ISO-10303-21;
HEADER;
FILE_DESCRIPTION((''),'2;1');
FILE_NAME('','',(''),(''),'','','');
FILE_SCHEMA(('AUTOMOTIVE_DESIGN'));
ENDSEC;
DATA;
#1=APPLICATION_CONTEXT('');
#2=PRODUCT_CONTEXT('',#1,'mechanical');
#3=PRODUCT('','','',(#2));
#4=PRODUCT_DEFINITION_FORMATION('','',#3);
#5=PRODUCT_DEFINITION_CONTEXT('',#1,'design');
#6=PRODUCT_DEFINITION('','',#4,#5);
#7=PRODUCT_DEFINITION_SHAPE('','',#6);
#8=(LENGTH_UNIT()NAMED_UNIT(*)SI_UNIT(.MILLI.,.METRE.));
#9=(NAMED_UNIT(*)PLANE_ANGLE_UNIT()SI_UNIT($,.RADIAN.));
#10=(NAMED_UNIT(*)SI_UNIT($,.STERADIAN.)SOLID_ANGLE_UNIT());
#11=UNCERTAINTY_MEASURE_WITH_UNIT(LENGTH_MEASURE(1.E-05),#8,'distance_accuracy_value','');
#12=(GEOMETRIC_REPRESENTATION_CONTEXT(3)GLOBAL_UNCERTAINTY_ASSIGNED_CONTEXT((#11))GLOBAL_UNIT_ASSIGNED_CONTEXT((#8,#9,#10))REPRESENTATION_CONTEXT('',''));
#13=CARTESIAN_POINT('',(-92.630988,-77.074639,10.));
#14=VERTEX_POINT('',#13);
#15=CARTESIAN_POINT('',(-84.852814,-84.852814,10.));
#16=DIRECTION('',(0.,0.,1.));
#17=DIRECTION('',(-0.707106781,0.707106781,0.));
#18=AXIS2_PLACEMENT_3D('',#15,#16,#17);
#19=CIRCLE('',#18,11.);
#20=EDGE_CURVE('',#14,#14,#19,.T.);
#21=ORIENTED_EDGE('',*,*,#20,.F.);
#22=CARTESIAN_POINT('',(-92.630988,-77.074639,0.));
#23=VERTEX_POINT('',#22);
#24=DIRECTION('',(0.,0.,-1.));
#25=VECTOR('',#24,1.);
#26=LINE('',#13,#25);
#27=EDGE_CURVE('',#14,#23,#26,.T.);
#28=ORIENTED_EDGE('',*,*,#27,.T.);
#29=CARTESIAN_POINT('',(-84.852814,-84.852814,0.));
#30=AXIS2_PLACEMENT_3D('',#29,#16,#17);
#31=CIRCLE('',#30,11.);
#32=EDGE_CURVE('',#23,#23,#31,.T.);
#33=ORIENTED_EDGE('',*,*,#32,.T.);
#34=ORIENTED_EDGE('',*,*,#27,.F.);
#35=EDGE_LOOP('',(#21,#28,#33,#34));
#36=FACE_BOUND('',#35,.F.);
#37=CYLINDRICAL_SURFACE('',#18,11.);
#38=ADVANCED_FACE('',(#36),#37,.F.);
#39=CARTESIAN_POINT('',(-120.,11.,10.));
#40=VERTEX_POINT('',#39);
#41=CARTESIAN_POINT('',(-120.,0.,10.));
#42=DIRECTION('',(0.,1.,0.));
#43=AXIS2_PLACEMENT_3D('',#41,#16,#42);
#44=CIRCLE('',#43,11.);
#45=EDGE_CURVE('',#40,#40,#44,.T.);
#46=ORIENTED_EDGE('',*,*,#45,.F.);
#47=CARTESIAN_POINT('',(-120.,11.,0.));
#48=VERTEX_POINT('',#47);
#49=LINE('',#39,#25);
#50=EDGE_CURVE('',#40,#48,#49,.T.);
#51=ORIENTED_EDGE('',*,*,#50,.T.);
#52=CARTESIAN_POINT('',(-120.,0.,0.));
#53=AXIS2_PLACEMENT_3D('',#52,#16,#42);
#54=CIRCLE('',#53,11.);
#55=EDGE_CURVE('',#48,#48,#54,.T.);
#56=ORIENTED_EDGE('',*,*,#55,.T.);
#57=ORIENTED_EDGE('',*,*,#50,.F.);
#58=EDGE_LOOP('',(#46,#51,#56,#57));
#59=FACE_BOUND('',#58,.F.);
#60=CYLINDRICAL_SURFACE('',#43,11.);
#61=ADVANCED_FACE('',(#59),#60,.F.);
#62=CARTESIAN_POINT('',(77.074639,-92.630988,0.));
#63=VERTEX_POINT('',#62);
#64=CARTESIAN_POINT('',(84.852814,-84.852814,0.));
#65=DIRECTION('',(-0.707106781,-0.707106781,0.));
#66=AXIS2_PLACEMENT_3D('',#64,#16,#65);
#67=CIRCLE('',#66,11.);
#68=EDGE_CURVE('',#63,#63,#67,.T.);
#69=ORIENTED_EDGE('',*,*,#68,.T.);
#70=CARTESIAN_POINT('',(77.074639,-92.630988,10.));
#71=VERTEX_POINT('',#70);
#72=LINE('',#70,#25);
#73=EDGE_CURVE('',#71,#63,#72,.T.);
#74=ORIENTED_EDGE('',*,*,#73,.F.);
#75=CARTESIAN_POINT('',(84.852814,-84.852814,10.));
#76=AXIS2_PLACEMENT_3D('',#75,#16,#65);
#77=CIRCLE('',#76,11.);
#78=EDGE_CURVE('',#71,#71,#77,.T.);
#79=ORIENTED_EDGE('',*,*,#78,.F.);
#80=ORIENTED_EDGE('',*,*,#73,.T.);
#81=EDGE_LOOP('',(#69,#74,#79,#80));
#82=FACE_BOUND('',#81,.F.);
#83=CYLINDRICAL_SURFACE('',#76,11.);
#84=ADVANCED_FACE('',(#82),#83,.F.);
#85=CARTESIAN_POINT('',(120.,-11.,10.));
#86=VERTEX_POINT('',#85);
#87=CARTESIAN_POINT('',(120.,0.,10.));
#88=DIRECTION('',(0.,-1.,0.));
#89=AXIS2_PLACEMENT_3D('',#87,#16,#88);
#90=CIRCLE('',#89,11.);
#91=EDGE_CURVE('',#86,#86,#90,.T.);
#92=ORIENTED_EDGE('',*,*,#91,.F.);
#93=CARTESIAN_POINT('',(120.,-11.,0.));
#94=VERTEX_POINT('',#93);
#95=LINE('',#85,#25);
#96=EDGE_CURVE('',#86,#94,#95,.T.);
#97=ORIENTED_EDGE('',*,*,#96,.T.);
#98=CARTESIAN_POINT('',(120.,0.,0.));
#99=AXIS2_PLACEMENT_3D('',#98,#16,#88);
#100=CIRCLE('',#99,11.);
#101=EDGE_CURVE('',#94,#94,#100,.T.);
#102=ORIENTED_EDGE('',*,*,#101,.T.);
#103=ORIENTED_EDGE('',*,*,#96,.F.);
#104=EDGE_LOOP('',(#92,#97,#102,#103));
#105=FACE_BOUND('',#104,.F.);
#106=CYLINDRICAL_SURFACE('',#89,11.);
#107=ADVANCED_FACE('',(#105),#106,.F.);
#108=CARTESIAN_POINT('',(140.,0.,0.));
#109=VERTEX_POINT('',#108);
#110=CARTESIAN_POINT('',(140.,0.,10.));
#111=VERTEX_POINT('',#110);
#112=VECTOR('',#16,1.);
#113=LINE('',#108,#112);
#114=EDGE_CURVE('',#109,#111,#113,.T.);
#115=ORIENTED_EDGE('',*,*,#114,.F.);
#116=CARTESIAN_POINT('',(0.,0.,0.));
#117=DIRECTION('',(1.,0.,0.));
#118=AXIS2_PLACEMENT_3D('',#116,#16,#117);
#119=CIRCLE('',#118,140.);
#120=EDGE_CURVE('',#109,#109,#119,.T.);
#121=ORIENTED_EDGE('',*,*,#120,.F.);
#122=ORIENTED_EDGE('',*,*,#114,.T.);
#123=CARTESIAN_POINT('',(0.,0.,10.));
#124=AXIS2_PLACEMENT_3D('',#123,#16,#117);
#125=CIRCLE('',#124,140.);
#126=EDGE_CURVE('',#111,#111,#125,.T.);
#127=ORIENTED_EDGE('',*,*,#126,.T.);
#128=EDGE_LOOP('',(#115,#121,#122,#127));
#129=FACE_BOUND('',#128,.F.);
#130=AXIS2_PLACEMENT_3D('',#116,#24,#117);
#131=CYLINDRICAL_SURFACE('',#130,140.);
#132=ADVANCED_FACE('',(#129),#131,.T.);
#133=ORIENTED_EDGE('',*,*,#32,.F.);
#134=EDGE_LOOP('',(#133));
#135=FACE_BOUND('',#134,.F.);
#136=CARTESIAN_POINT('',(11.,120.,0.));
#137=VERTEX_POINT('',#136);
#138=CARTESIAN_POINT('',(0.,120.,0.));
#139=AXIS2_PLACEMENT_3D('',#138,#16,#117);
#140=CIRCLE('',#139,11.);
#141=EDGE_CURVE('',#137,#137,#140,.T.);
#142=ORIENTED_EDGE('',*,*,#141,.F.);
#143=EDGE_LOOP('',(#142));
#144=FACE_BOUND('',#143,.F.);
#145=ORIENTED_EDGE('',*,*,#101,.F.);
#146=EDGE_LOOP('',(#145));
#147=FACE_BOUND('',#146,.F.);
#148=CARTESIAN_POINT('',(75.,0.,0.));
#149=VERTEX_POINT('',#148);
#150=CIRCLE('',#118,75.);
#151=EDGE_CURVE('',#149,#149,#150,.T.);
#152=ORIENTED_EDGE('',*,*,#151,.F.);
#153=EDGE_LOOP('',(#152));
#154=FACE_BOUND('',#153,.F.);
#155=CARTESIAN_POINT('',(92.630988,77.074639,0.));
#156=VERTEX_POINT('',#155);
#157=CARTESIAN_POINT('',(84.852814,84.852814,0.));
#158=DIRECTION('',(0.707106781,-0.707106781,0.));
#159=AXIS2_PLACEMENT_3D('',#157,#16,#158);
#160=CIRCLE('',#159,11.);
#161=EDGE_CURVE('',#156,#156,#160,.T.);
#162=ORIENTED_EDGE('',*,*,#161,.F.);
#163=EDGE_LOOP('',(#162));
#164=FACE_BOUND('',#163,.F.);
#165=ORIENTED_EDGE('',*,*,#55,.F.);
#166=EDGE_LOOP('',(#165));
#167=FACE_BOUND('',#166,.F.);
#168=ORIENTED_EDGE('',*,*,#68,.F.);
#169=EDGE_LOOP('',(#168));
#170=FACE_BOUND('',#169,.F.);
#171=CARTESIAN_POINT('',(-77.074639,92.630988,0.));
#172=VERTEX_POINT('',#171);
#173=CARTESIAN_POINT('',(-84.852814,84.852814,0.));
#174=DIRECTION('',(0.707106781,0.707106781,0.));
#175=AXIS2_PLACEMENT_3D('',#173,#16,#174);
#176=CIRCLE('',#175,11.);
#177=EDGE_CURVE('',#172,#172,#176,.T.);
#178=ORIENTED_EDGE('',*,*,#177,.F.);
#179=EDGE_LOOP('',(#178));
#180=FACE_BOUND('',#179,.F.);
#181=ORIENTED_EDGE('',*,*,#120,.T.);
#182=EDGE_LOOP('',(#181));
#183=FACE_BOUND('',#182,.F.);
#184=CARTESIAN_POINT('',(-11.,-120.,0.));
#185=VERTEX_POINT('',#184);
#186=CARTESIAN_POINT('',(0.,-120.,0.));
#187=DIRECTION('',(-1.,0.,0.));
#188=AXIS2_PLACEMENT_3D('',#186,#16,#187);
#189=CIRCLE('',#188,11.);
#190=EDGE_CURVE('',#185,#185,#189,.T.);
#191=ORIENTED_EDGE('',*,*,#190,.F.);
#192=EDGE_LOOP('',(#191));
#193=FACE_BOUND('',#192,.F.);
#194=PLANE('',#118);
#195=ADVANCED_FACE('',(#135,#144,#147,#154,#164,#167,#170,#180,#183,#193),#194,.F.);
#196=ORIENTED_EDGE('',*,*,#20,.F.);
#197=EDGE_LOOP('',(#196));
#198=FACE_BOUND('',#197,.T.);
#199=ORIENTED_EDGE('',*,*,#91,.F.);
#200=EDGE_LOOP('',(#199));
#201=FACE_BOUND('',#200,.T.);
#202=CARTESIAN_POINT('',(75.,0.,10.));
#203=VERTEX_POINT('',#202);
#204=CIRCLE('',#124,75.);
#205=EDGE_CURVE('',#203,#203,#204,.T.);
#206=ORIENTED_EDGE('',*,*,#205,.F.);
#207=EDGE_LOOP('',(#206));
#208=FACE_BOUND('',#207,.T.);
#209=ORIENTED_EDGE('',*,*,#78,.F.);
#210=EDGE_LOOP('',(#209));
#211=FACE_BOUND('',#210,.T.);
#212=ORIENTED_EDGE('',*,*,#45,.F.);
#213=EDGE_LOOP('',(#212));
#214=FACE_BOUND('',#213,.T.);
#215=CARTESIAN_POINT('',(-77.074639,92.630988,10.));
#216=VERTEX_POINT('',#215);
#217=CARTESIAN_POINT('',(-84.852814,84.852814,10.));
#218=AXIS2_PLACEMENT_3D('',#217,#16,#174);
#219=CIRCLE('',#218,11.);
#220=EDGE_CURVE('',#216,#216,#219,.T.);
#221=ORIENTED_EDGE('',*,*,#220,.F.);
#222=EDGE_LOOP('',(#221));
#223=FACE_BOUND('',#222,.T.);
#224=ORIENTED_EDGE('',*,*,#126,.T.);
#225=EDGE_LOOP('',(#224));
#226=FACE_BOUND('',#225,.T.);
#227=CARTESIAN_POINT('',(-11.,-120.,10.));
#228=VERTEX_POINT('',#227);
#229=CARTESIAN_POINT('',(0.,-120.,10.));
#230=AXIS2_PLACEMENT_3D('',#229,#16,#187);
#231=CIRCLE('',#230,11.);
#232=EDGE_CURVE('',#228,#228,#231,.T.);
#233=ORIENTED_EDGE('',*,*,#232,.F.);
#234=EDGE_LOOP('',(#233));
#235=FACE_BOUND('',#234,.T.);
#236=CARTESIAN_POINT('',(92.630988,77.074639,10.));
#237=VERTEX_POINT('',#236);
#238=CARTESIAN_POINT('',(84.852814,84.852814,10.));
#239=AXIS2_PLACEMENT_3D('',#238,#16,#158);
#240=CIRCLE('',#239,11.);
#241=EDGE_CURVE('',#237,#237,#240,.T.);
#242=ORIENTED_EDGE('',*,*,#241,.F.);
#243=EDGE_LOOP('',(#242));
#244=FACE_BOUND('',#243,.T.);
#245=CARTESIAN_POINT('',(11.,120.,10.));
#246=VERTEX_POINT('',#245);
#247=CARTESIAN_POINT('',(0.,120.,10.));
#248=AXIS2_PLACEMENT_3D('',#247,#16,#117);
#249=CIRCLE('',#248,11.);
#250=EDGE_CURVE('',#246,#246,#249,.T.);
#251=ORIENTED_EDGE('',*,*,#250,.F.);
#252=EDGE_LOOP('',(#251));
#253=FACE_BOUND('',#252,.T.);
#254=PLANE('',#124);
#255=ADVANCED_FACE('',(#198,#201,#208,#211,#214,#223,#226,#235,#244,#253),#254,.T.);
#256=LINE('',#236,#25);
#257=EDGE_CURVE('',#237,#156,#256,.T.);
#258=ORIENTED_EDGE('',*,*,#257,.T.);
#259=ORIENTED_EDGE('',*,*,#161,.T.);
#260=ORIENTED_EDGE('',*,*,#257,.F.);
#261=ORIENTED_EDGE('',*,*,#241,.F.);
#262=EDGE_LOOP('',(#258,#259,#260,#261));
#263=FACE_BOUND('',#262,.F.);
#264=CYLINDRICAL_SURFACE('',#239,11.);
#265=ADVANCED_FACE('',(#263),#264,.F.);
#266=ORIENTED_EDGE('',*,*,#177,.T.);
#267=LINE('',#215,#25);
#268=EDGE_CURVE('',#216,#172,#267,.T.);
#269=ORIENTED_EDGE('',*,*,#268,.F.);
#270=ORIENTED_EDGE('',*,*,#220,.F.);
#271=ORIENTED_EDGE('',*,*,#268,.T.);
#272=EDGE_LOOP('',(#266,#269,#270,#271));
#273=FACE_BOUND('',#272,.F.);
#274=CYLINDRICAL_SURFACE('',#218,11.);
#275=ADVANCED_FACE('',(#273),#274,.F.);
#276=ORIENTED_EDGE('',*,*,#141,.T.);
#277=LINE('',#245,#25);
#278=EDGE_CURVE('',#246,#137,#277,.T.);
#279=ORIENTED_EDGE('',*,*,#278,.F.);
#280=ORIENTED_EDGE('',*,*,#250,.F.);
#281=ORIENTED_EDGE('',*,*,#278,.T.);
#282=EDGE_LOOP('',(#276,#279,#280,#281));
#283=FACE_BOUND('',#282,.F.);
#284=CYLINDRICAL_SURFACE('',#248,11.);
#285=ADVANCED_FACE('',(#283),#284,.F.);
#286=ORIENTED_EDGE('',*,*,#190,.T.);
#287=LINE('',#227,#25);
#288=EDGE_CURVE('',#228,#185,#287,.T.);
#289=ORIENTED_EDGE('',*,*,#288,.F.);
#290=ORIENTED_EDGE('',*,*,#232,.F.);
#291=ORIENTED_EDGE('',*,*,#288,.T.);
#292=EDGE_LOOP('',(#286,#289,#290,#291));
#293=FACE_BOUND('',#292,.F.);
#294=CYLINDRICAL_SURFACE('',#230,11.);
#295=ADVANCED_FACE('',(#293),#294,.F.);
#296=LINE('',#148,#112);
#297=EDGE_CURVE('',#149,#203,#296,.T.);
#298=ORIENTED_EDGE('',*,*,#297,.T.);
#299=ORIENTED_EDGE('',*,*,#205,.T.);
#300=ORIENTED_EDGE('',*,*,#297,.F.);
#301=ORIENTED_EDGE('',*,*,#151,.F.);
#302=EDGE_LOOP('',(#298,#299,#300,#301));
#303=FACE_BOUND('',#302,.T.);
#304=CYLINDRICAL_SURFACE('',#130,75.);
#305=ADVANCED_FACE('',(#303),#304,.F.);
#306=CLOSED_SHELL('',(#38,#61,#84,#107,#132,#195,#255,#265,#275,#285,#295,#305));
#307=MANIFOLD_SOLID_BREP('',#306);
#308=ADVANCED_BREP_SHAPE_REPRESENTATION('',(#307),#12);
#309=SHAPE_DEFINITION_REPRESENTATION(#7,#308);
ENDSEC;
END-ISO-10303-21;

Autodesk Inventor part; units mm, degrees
ref_plane "YZ Plane" through (0, 0, 0) normal (1, 0, 0) x (0, 1, 0)
ref_plane "XZ Plane" through (0, 0, 0) normal (0, 1, 0) x (-1, 0, 0)
ref_plane "XY Plane" through (0, 0, 0) normal (0, 0, 1) x (1, 0, 0)
sketch "Sketch1" plane through (0, 0, 0) normal (0, 0, 1) x (1, 0, 0)
  circle A0 centre (0, 0) radius 75
  circle A1 centre (0, 0) radius 140
  dimension "d22" = 150
  dimension "d23" = 280
extrude "Plate1" add sketch "Sketch1" along normal blind 10
sketch "Sketch5" plane through (0, 0, 10) normal (0, 0, 1) x (1, 0, 0)
  circle A0 centre (0, 120) radius 11
  circle A1 centre (0, 0) radius 120 construction
  dimension "d25" = 240
  dimension "d24" = 22
extrude "Cut1" cut sketch "Sketch5" against normal blind 10
pattern_circular "Circular Pattern1" count 8 over 360 about axis through (0, 0, 0) along (0, 0, 1) of "Cut1"
equation "\"d26\" = Thickness"
equation "\"d2\" = Thickness"
equation "\"BendReliefDepth\" = 0.5 * Thickness"
equation "\"TransitionRadius\" = BendRadius"
equation "\"JacobiRadiusSize\" = BendRadius"
equation "\"Thickness\" = 10"
equation "\"BendRadius\" = 5"
properties part number "Main filter Flange" material "Stainless Steel"
